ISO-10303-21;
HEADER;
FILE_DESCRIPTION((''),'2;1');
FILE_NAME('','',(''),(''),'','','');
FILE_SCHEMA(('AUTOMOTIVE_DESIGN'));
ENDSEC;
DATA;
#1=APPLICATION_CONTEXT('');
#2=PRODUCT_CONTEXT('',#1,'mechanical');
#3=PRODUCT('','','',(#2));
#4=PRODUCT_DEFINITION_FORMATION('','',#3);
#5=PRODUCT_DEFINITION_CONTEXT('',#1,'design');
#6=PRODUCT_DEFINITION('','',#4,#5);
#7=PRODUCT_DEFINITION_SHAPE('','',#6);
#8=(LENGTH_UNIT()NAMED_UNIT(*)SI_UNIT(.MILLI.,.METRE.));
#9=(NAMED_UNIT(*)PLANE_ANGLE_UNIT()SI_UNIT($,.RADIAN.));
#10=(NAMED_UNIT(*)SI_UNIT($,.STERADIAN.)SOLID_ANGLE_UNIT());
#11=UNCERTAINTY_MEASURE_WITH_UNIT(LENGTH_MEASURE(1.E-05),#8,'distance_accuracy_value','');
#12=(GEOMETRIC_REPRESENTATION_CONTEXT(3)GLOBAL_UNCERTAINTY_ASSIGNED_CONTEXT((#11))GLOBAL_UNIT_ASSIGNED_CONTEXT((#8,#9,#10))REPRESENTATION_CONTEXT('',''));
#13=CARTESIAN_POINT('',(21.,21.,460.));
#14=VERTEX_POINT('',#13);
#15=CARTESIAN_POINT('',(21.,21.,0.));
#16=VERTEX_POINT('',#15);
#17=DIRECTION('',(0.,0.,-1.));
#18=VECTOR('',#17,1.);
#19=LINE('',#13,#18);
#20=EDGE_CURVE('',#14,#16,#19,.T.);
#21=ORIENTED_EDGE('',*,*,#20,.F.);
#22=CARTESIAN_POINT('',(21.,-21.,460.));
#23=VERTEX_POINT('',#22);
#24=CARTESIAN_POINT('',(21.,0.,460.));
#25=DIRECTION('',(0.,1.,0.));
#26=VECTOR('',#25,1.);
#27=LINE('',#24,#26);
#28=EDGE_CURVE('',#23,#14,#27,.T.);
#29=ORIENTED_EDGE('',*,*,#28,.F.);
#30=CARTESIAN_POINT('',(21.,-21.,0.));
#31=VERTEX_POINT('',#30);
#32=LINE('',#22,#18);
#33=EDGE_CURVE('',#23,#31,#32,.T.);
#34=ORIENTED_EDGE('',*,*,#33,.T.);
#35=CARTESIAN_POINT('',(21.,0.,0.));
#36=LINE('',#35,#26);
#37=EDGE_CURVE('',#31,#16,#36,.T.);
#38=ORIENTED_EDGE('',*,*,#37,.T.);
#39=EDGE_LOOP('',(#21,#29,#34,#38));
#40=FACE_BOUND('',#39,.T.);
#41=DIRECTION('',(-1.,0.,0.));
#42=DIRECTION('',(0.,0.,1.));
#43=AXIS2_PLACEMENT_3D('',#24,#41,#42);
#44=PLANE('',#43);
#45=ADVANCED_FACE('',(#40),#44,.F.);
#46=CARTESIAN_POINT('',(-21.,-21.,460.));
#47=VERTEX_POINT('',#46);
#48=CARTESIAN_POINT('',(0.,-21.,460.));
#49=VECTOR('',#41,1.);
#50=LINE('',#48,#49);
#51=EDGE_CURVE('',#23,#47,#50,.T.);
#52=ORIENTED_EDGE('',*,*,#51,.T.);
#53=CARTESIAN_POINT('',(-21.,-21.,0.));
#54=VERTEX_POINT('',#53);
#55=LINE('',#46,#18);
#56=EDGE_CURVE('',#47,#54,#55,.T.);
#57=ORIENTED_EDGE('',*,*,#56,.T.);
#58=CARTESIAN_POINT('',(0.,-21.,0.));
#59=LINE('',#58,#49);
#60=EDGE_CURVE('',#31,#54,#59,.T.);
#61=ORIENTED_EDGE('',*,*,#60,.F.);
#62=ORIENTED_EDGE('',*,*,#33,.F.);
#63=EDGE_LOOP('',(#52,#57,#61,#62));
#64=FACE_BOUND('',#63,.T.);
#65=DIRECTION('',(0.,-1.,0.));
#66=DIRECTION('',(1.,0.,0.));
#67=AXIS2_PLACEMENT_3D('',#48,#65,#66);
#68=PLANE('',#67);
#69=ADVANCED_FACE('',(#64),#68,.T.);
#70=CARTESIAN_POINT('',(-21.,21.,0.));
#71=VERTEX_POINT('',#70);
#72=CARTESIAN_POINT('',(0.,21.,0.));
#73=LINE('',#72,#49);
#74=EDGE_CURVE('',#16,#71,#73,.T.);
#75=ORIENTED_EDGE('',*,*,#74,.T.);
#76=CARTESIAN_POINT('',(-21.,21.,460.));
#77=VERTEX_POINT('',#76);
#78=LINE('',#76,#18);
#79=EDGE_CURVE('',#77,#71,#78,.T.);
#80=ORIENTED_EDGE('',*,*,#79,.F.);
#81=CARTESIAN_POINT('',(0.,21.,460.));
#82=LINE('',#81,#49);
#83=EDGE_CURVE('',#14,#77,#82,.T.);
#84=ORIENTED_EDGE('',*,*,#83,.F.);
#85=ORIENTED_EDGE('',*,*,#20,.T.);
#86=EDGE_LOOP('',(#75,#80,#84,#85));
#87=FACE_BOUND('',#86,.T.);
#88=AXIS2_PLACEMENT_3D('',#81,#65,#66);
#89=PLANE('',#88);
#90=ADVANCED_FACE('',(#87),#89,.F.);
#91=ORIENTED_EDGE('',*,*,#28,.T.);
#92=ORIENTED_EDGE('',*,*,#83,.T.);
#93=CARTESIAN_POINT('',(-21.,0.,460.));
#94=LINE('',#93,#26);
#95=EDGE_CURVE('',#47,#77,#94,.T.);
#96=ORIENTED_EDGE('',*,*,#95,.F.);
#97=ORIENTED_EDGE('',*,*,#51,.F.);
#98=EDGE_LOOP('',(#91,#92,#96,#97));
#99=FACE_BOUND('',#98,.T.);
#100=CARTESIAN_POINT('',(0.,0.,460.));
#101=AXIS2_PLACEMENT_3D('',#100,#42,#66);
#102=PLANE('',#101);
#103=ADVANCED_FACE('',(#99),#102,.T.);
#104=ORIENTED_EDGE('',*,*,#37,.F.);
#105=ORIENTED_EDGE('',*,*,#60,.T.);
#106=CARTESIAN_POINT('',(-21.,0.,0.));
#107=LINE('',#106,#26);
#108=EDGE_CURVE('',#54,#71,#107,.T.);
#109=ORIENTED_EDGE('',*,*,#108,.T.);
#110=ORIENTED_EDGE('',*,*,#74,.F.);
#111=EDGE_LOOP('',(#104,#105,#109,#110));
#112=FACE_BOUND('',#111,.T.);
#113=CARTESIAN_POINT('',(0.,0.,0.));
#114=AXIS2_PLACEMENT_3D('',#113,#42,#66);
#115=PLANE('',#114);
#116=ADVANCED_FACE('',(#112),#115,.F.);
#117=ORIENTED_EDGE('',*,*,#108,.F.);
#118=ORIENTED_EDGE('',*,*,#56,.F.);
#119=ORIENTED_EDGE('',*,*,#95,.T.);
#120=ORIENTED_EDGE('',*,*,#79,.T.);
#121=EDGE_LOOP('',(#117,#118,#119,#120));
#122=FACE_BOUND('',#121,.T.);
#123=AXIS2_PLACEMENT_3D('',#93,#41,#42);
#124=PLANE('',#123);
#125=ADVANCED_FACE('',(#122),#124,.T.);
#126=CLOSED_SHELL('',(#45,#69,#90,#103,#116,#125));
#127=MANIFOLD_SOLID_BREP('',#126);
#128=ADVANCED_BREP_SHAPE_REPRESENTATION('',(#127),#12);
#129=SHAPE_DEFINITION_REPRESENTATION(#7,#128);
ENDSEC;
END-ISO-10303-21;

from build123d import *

# Parameters (mm, degrees)
SKETCH1_W           = 42
SKETCH1_H           = 42
BOSS_EXTRUDE1_DEPTH = 460


with BuildPart() as part:
    # Sketch1 → Boss-Extrude1 (new body)
    with BuildSketch(Plane.XY):
        Rectangle(SKETCH1_W, SKETCH1_H)
    extrude(amount=BOSS_EXTRUDE1_DEPTH)


solid = part.part
